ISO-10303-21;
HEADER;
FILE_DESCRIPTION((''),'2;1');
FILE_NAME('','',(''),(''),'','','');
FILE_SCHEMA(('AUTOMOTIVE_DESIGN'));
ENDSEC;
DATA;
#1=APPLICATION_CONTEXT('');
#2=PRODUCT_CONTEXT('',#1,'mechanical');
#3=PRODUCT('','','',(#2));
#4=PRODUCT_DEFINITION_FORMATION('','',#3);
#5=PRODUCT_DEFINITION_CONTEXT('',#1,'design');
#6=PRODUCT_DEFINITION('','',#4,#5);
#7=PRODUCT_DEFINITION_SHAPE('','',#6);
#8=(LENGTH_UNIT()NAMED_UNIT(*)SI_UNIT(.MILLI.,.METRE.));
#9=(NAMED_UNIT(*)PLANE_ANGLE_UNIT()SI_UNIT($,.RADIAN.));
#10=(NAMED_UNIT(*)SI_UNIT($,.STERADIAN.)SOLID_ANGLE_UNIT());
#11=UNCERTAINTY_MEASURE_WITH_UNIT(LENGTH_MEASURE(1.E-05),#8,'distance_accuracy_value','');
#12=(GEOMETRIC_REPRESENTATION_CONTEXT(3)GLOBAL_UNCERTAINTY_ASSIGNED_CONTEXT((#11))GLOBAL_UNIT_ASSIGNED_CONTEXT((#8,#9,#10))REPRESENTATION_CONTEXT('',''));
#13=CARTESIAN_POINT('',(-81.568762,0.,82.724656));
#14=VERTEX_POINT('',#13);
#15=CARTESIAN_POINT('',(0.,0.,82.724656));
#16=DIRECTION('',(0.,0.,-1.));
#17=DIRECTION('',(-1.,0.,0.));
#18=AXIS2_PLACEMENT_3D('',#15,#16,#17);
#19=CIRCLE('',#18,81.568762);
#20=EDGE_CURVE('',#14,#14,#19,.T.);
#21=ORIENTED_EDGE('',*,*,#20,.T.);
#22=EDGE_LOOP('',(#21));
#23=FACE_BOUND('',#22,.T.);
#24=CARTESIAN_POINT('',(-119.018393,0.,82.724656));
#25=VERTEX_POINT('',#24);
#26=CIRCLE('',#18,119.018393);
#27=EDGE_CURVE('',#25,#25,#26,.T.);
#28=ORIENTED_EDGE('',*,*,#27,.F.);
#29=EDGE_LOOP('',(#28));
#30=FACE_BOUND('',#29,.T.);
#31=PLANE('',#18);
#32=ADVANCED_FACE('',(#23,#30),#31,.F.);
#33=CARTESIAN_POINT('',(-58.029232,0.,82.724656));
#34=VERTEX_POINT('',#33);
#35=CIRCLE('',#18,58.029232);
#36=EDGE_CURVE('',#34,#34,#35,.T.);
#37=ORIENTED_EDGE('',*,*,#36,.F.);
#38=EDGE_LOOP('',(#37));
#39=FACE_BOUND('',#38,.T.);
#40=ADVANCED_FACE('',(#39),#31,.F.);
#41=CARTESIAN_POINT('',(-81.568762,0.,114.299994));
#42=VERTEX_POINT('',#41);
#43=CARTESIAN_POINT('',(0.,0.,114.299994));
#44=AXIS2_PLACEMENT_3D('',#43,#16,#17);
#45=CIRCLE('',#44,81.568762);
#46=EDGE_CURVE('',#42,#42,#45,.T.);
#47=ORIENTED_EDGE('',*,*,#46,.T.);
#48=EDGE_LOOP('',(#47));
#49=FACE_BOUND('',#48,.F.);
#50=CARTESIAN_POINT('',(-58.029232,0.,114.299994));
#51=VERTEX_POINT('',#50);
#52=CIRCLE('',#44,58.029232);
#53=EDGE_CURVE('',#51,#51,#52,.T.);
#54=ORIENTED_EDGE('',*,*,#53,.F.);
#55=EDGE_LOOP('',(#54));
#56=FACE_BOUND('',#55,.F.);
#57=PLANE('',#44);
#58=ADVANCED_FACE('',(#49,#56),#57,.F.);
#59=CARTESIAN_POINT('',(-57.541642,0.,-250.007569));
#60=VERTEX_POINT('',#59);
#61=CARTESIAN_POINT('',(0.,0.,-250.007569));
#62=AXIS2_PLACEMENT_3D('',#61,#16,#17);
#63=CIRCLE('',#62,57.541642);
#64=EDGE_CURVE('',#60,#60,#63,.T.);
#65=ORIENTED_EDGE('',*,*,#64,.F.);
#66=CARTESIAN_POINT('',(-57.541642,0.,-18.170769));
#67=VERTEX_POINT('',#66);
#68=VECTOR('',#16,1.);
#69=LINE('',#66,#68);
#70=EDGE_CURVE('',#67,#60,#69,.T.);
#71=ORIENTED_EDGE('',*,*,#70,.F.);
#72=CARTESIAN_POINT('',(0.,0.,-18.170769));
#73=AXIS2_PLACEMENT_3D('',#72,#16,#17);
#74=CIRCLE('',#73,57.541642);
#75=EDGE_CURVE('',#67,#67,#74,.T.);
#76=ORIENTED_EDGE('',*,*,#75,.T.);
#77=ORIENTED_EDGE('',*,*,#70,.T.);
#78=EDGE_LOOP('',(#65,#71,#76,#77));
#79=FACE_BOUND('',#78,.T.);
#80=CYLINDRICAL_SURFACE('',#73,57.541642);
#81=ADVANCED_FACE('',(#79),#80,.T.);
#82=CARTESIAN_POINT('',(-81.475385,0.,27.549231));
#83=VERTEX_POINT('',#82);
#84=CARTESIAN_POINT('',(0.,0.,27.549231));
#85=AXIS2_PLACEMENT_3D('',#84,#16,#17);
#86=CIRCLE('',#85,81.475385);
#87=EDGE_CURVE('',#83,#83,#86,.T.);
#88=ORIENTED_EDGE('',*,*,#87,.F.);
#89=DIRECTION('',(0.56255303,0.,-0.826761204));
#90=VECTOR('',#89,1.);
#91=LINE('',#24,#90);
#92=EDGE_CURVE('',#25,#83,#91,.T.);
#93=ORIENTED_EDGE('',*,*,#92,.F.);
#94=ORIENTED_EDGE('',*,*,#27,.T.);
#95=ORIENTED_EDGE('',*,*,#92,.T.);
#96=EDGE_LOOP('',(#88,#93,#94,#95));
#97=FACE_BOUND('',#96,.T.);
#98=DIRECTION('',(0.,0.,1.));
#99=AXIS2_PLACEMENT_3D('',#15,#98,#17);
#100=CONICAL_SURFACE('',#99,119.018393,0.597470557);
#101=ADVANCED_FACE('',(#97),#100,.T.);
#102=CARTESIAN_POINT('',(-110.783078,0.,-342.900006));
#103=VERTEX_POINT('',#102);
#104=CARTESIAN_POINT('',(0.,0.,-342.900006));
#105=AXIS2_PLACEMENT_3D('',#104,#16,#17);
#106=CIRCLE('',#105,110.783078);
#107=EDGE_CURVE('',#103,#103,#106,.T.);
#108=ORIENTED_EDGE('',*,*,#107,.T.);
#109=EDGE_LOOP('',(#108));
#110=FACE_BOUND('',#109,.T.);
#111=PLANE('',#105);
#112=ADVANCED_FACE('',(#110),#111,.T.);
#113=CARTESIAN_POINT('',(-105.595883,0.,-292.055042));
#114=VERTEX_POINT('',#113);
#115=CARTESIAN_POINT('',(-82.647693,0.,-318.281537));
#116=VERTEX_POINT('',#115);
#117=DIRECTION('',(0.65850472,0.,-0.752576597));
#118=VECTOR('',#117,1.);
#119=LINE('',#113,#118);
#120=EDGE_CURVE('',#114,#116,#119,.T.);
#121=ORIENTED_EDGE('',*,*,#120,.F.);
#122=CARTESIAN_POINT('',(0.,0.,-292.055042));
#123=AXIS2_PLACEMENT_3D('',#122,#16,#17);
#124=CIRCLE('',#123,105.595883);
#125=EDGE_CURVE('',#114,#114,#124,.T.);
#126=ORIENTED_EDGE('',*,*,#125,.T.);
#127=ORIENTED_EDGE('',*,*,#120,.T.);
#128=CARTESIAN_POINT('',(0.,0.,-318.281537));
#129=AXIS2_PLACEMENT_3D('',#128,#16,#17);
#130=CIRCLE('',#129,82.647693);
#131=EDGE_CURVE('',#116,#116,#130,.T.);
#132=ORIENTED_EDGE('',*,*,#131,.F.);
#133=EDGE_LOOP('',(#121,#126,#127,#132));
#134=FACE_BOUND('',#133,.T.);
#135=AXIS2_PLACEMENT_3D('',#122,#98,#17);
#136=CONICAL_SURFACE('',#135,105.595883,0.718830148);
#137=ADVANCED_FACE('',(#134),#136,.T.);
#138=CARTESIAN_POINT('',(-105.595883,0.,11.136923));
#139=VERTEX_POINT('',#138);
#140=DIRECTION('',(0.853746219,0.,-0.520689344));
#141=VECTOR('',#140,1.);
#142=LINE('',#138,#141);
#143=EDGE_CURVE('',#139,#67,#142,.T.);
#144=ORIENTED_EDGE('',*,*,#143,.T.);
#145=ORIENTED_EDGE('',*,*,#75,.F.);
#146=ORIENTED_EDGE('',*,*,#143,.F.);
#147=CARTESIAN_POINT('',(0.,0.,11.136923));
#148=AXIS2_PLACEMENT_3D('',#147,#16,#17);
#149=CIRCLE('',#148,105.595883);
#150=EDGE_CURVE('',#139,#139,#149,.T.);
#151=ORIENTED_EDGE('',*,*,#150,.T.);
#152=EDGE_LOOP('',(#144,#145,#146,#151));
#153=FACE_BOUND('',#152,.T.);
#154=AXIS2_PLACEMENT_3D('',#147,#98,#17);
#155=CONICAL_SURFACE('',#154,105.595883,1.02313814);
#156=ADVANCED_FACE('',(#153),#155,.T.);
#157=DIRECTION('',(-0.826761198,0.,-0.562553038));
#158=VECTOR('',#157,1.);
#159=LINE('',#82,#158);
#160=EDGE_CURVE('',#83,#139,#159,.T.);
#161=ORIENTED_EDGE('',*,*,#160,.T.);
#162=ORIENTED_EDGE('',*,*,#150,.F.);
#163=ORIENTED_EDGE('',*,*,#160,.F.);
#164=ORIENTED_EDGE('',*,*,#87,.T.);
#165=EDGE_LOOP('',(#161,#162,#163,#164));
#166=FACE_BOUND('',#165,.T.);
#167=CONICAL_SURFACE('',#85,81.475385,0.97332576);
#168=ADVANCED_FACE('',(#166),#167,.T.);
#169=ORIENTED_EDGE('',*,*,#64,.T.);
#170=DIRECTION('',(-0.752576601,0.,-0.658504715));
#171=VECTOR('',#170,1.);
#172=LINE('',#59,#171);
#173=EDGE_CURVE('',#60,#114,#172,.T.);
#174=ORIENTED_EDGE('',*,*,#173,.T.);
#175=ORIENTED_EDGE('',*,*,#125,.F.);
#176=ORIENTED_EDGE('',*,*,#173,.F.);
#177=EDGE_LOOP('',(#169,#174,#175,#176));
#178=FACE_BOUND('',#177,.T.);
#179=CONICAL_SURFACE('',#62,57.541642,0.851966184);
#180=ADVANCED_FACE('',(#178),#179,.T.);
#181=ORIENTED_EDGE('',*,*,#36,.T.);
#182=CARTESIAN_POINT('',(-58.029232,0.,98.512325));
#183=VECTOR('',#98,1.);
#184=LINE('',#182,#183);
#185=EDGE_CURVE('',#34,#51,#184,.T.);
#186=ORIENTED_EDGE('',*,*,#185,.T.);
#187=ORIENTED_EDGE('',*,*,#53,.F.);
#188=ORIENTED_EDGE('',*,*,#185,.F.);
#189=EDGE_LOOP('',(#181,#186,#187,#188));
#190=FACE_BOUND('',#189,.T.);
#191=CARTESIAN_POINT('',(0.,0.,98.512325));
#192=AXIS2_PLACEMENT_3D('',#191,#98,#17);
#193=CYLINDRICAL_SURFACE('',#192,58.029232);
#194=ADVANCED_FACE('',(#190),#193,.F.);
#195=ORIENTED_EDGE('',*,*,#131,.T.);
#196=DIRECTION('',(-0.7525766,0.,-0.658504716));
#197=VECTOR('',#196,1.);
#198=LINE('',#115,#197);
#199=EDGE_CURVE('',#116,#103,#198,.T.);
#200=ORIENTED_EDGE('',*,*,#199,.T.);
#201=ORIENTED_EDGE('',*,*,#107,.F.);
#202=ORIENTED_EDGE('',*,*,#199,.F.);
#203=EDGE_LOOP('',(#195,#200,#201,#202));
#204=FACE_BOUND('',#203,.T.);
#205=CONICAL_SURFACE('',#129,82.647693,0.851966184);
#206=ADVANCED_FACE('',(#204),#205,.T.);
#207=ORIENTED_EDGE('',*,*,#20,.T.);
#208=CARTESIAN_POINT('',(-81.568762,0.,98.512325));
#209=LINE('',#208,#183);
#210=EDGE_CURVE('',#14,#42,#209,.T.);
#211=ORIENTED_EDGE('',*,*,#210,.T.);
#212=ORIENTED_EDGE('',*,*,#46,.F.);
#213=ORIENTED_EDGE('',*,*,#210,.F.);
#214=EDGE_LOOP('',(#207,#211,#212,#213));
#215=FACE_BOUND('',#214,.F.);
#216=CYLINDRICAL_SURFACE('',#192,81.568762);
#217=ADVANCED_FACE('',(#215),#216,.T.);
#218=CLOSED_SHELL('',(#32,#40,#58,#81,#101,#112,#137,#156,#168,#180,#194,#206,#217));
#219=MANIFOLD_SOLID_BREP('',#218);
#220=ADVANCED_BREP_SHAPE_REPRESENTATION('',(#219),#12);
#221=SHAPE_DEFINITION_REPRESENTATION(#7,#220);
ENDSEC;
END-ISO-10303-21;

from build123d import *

# Parameters (mm, degrees)
F0_W = 23.53953
F0_H = 31.575338


with BuildPart() as f1:
    # F0 (on Front) → F1 (revolve)
    with BuildSketch(Plane.XZ):
        Polygon((0, -342.900006), (0, 82.724656), (-58.029232, 82.724656), (-81.568762, 82.724656), (-119.018393, 82.724656), (-81.475385, 27.549231), (-105.595883, 11.136923), (-57.541642, -18.170769), (-57.541642, -250.007569), (-105.595883, -292.055042), (-82.647693, -318.281537), (-110.783078, -342.900006), align=None)
        with Locations((-69.798997, 98.512325)):
            Rectangle(F0_W, F0_H)
    revolve(axis=Axis((0, 0, -1.758462), (0, 0, -1)))


solid = f1.part
